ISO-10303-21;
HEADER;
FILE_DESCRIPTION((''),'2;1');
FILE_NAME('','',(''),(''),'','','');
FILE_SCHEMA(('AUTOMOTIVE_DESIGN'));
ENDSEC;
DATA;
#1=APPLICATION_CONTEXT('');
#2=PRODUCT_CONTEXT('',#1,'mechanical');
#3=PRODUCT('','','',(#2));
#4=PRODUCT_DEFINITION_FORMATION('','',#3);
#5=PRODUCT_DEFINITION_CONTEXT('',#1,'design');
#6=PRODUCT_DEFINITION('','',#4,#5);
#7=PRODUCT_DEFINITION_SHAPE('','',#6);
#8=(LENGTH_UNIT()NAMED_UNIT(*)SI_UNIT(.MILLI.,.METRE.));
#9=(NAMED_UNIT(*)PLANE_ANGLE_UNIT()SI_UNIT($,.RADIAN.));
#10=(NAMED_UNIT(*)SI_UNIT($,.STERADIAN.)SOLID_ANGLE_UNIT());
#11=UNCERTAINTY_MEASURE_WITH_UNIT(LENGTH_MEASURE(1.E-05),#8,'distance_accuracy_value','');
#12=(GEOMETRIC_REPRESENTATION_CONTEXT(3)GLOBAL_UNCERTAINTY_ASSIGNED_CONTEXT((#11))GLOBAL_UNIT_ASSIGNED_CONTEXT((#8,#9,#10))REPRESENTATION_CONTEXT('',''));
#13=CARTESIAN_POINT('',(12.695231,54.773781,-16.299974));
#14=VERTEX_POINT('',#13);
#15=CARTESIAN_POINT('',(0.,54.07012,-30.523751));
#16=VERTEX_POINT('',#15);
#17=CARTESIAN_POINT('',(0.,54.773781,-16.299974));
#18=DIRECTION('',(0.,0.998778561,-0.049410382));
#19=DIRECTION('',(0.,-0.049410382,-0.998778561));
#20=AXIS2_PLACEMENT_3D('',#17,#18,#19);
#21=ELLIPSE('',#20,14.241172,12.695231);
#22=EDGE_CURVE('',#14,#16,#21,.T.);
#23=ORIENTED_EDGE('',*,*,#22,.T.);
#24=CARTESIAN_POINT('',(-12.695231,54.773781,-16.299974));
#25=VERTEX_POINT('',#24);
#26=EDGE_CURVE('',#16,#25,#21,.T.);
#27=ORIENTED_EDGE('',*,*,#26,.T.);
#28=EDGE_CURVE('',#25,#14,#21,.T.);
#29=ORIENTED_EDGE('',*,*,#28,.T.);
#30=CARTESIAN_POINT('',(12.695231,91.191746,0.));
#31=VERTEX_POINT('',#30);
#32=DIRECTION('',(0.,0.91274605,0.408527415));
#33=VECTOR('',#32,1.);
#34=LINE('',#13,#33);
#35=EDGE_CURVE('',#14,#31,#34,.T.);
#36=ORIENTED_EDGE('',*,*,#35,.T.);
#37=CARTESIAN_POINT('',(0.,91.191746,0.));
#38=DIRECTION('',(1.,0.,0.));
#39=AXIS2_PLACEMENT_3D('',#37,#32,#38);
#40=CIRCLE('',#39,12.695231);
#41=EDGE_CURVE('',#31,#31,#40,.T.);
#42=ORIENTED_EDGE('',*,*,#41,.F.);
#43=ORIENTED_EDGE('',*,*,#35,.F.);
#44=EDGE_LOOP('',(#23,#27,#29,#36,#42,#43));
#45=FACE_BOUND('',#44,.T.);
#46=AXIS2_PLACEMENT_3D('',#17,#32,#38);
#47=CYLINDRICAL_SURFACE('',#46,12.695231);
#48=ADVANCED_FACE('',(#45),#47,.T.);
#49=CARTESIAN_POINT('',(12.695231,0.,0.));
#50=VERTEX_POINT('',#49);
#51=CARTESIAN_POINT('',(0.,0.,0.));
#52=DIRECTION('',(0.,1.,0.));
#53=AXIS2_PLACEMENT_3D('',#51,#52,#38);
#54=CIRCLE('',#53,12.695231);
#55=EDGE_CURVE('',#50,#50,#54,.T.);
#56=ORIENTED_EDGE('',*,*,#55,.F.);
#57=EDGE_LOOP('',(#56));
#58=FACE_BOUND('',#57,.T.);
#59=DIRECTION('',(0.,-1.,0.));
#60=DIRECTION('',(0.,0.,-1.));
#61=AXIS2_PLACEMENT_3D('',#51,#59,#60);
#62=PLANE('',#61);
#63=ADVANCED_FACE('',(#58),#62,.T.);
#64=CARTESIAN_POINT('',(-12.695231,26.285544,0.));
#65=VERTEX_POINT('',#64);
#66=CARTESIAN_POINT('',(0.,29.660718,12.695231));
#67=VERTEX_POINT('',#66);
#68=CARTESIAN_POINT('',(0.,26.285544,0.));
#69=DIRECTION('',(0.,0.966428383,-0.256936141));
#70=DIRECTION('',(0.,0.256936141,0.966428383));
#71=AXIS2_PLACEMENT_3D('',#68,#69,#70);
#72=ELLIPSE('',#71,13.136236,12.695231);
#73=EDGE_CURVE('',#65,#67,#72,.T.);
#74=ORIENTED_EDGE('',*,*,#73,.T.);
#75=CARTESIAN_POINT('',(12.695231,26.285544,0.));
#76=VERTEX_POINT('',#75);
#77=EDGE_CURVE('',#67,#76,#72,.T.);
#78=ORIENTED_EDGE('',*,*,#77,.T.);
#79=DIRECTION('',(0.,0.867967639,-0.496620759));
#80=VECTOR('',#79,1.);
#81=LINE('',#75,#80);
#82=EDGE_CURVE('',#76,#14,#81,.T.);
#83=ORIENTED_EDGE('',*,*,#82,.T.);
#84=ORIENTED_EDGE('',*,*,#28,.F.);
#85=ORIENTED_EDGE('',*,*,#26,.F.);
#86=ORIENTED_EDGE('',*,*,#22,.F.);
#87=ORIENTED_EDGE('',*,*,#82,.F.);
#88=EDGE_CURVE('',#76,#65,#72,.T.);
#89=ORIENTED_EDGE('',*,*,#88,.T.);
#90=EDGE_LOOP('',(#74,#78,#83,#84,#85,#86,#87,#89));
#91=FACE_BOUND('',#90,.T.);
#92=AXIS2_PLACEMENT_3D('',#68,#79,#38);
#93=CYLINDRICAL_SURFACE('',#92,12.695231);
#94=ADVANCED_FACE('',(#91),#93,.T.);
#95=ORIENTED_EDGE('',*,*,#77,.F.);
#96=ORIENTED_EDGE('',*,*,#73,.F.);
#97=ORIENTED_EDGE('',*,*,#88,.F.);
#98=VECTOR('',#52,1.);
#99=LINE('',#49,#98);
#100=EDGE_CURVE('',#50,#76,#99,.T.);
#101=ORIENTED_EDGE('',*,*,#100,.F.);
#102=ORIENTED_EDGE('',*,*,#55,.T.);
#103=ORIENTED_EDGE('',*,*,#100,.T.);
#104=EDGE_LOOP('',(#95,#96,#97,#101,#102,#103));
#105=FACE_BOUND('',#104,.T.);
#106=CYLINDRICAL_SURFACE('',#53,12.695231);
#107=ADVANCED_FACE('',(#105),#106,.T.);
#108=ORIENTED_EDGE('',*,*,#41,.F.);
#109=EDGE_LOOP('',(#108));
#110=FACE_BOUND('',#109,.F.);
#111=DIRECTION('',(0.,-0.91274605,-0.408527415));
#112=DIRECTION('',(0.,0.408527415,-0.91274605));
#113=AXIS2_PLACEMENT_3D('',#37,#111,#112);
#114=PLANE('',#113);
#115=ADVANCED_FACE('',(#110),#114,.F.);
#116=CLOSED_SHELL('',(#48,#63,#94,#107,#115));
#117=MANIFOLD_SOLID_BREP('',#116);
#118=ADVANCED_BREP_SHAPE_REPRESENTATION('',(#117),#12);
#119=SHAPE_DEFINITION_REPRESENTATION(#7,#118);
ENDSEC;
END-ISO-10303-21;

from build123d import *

# Parameters (mm, degrees)
F0_R = 12.6952313472


with BuildPart() as f2:
    # F2: sweep along a path in F1
    with BuildLine(Plane.YZ) as f2_path:
        Line((0, 0), (26.2855440378, 0))
        Line((26.2855440378, 0), (54.7737814486, -16.2999741733))
        Line((54.7737814486, -16.2999741733), (91.1917462945, 0))
    # F0 (on Front) → F2 (sweep)
    with BuildSketch(Plane.XZ):
        Circle(F0_R)
    sweep(path=f2_path.line, transition=Transition.RIGHT)


solid = f2.part
